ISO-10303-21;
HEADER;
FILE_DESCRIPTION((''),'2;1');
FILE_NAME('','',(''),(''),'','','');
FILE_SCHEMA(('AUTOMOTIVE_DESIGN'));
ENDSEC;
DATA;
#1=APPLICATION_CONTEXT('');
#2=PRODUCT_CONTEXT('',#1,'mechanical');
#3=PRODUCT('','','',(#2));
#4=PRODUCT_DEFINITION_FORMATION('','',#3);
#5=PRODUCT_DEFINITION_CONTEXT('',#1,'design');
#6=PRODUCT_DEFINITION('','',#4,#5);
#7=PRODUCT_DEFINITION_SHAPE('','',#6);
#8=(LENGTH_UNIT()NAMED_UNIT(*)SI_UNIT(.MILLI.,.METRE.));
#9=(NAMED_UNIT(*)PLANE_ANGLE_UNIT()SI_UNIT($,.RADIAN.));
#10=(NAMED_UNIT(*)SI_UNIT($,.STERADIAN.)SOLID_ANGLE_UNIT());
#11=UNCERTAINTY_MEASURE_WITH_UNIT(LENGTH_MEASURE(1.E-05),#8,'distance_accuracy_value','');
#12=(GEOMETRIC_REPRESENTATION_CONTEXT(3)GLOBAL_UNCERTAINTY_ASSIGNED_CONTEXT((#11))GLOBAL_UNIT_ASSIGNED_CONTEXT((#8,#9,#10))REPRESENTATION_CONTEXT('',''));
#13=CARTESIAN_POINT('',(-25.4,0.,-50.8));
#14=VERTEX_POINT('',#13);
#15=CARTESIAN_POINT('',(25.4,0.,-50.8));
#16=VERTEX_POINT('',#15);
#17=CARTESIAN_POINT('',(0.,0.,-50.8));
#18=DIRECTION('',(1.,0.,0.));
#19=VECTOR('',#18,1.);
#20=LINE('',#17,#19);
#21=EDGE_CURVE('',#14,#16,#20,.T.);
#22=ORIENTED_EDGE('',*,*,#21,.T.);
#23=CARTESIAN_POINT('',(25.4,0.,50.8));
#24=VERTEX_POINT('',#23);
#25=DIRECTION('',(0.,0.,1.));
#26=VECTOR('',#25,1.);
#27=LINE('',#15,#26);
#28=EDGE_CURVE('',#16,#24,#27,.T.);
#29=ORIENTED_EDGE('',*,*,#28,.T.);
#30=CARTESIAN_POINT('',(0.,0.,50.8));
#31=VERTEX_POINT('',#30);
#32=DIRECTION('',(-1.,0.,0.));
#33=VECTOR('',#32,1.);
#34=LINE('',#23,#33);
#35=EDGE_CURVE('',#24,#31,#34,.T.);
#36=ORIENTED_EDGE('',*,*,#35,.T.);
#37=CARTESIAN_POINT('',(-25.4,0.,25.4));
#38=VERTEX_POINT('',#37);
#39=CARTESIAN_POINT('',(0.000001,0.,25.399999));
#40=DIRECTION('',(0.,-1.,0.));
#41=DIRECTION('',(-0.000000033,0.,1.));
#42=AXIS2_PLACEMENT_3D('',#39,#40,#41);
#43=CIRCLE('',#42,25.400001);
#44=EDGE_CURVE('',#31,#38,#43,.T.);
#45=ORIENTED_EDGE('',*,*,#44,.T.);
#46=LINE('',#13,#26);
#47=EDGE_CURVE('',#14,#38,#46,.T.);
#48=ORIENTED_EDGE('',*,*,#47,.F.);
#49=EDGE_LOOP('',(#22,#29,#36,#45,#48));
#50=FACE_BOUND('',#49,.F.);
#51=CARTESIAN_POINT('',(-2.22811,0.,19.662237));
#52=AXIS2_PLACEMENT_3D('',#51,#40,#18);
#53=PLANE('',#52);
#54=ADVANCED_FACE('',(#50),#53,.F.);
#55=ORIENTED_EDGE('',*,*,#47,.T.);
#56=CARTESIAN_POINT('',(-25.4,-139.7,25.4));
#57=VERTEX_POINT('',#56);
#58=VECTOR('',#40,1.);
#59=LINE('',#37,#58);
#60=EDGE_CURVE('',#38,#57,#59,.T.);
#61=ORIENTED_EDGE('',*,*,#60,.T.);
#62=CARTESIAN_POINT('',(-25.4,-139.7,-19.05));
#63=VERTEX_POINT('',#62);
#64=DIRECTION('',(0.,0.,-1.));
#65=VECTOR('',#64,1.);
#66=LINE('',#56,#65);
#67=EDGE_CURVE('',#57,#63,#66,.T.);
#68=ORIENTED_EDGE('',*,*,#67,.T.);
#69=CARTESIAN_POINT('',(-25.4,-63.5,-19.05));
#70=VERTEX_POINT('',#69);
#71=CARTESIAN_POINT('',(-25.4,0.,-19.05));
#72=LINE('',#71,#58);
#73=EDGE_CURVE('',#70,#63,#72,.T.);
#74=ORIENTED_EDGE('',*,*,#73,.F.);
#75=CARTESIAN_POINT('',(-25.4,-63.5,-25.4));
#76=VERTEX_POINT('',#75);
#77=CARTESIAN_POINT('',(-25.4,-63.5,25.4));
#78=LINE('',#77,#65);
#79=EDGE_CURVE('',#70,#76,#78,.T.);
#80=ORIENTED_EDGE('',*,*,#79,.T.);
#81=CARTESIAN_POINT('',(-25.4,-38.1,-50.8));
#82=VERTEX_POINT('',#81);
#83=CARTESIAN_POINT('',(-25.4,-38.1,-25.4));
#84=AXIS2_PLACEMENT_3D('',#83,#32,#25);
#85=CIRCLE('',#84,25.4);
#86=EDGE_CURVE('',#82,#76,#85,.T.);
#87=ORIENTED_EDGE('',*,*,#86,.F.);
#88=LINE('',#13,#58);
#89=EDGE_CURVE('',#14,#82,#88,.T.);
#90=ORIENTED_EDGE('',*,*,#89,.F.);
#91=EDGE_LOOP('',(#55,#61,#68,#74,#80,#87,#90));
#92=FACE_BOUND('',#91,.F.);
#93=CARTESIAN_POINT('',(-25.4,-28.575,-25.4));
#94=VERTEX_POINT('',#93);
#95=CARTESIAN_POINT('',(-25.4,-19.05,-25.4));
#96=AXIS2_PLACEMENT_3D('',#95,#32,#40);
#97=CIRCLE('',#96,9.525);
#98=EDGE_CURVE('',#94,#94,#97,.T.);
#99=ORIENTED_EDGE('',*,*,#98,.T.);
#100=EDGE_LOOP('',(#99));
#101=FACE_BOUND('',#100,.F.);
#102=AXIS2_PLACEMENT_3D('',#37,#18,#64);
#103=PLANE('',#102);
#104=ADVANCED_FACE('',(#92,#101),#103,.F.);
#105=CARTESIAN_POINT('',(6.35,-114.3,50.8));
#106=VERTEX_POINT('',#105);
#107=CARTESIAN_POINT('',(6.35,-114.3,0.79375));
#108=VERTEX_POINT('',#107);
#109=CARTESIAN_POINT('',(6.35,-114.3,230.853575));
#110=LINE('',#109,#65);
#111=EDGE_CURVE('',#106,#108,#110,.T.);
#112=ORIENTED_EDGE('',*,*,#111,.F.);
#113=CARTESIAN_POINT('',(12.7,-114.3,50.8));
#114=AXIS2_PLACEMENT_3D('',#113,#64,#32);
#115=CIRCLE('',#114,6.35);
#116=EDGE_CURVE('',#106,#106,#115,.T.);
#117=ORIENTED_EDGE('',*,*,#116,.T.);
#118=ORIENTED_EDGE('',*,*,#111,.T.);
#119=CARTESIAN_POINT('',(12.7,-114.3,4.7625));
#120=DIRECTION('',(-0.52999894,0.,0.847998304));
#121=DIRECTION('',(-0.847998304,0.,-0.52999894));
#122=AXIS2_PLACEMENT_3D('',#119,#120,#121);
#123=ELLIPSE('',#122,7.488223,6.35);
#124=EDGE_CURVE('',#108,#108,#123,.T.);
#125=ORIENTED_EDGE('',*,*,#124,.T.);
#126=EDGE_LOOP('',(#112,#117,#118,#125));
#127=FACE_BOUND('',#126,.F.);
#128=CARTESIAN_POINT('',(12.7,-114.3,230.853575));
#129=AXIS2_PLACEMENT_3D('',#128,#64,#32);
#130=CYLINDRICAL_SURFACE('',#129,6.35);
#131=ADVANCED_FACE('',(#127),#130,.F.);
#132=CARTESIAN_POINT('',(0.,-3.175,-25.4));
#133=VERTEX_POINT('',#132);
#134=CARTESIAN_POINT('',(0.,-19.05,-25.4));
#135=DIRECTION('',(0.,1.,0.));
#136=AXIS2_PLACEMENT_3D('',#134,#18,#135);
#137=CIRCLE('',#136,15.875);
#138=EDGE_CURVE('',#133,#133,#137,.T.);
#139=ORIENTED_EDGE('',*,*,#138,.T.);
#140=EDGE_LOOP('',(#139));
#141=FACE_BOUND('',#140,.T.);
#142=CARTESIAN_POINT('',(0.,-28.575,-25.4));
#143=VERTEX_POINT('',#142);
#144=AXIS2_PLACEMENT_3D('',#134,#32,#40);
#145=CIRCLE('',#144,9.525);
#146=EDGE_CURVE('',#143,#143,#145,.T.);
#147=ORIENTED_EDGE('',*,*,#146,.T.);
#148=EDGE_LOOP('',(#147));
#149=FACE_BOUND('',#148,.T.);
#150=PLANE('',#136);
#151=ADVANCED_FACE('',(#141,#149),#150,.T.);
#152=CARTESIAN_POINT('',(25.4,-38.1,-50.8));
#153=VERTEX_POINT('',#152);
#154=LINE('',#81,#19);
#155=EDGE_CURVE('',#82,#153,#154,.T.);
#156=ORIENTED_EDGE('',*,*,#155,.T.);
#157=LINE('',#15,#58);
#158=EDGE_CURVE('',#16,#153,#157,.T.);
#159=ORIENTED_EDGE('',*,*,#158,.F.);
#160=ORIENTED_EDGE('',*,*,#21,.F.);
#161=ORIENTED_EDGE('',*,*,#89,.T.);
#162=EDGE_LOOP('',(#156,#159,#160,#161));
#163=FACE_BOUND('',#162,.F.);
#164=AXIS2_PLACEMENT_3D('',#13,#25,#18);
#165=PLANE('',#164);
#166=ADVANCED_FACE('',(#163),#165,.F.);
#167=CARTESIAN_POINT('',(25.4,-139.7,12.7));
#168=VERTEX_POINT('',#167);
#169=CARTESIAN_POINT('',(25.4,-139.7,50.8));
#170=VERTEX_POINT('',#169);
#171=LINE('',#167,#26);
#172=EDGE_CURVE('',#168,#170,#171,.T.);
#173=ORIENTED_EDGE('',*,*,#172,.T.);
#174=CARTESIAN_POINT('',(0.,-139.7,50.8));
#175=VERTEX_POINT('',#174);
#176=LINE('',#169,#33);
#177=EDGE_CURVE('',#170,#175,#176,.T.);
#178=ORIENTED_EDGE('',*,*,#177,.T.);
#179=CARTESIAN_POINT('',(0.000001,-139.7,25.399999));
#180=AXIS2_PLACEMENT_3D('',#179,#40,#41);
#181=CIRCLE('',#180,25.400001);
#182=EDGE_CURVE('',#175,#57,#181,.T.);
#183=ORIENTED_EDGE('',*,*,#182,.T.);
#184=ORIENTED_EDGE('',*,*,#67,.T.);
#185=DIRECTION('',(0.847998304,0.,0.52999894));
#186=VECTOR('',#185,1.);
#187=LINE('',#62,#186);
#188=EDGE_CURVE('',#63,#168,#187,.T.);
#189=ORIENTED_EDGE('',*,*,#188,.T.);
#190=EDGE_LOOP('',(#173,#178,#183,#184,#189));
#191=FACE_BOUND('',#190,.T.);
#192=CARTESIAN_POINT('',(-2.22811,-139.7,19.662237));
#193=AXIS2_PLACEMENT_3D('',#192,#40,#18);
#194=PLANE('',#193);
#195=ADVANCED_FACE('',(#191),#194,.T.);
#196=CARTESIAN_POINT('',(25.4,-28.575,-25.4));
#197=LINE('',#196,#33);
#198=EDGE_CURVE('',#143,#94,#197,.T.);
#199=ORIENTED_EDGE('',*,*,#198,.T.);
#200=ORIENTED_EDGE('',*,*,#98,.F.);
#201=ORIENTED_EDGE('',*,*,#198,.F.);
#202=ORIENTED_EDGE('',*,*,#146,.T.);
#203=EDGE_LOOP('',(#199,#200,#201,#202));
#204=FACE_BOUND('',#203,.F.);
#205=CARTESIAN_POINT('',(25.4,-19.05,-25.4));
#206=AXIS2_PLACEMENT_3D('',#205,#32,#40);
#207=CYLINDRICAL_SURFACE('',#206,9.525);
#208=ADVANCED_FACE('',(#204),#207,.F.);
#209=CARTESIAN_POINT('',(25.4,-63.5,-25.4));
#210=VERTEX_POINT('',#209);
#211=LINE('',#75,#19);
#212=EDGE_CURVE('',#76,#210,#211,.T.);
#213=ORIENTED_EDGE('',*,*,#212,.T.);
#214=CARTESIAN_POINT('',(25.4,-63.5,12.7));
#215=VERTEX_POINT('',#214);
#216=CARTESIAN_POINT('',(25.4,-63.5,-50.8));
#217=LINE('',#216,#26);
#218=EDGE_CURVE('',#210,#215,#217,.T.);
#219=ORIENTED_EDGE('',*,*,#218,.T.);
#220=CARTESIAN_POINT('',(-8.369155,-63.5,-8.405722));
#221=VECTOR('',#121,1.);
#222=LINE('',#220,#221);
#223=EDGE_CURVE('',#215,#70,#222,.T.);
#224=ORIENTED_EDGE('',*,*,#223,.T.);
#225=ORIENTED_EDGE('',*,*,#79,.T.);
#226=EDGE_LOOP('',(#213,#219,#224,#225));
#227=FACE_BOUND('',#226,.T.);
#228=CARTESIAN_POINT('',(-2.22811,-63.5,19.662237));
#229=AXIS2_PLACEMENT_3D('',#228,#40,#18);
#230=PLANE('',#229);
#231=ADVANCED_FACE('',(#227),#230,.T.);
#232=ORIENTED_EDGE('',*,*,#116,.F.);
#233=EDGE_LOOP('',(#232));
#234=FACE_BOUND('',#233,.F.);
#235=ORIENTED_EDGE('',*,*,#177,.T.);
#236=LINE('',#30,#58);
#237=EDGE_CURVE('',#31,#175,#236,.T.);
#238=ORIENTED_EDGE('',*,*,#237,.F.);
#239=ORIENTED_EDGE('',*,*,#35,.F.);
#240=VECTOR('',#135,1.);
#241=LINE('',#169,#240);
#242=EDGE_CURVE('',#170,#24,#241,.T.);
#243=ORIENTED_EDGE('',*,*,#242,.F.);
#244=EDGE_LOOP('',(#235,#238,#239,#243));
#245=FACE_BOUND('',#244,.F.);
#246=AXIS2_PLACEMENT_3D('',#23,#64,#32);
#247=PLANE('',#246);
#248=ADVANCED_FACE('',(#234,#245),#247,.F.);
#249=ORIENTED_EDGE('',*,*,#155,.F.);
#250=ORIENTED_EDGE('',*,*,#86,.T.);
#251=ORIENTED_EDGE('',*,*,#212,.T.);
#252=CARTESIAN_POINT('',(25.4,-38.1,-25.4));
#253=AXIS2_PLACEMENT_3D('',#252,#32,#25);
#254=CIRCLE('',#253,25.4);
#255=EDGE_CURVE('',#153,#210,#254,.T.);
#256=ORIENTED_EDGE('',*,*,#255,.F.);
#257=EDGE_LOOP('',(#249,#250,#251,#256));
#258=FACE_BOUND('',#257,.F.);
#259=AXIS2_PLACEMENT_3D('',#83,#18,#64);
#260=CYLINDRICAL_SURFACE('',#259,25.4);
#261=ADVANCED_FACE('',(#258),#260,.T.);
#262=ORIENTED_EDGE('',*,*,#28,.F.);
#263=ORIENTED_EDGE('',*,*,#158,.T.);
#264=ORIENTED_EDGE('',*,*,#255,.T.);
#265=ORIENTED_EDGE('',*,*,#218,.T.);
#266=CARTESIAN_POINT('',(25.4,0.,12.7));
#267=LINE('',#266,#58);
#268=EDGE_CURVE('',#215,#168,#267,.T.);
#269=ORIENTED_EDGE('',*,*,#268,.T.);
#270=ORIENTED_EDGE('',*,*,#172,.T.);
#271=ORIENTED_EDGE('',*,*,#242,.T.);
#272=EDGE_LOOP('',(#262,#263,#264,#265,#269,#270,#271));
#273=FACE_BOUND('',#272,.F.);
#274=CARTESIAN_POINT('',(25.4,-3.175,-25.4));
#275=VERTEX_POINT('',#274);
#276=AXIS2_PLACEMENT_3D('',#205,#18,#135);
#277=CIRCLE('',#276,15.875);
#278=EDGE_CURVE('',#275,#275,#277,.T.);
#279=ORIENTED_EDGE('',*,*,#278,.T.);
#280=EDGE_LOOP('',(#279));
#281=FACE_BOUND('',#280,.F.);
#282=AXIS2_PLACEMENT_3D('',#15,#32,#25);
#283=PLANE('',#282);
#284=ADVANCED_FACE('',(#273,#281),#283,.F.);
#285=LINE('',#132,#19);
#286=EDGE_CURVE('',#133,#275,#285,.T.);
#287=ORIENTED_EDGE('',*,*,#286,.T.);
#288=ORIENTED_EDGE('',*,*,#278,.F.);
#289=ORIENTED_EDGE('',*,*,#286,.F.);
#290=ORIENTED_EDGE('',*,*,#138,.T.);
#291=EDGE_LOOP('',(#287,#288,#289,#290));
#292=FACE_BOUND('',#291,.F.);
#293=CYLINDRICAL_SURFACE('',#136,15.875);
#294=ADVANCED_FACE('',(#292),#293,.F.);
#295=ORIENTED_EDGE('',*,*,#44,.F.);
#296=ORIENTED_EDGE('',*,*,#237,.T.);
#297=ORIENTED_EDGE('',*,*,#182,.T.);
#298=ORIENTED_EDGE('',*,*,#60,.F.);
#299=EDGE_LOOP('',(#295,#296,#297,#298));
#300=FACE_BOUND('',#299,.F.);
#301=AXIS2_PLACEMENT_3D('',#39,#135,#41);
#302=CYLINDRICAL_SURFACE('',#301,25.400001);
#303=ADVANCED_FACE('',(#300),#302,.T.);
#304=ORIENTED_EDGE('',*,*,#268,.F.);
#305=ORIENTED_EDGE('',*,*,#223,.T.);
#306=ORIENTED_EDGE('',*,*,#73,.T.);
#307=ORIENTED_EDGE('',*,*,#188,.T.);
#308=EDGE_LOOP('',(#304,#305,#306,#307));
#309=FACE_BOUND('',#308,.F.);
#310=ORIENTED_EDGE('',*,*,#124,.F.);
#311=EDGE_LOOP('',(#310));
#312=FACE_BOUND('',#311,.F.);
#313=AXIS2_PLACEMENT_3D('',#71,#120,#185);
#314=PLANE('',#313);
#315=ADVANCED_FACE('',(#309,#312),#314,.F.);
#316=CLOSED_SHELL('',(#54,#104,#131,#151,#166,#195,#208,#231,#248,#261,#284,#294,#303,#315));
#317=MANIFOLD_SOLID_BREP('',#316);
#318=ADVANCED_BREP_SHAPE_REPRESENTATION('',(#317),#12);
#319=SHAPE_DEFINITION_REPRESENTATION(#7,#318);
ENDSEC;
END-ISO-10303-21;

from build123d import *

# Parameters (mm, degrees)
F0_W           = 50.8
F0_H           = 25.4
F1_DEPTH       = 63.5
F2_DEPTH       = 139.7
F3_R           = 25.4
F5_D           = 19.05
F5_CBORE_D     = 31.75
F5_CBORE_DEPTH = 25.4
F7_D           = 12.7


with BuildPart() as f1:
    # F0 (on Front) → F1 (new body)
    with BuildSketch(Plane.XZ):
        with BuildLine():
            Line((25.4, 50.8), (0, 50.8))
            ThreePointArc((0, 50.8), (-17.960512, 43.360512), (-25.4, 25.4))
            Line((-25.4, 25.4), (-25.4, -19.05))
            Line((-25.4, -19.05), (25.4, 12.7))
            Line((25.4, 12.7), (25.4, 50.8))
        make_face()
        Polygon((25.4, -25.4), (25.4, 12.7), (-25.4, -19.05), (-25.4, -25.4), align=None)
        with Locations((0, -38.1)):
            Rectangle(F0_W, F0_H)
    extrude(amount=F1_DEPTH)

    # F0 (on Front) → F2 (join)
    with BuildSketch(Plane.XZ):
        with BuildLine():
            Line((25.4, 50.8), (0, 50.8))
            ThreePointArc((0, 50.8), (-17.960512, 43.360512), (-25.4, 25.4))
            Line((-25.4, 25.4), (-25.4, -19.05))
            Line((-25.4, -19.05), (25.4, 12.7))
            Line((25.4, 12.7), (25.4, 50.8))
        make_face()
    extrude(amount=F2_DEPTH)

    # F3
    f3_edges = [f1.edges().sort_by_distance(p)[0] for p in [
        (0, -63.5, -50.8),
    ]]
    fillet(f3_edges, radius=F3_R)

    # F5 (through all)
    with Locations(Plane.YZ.offset(25.4)):
        with Locations((-19.05, -25.4)):
            CounterBoreHole(F5_D / 2, F5_CBORE_D / 2, F5_CBORE_DEPTH)

    # F7 (through all)
    with Locations(Plane.XY.offset(50.8)):
        with Locations((12.7, -114.3)):
            Hole(F7_D / 2)


solid = f1.part
